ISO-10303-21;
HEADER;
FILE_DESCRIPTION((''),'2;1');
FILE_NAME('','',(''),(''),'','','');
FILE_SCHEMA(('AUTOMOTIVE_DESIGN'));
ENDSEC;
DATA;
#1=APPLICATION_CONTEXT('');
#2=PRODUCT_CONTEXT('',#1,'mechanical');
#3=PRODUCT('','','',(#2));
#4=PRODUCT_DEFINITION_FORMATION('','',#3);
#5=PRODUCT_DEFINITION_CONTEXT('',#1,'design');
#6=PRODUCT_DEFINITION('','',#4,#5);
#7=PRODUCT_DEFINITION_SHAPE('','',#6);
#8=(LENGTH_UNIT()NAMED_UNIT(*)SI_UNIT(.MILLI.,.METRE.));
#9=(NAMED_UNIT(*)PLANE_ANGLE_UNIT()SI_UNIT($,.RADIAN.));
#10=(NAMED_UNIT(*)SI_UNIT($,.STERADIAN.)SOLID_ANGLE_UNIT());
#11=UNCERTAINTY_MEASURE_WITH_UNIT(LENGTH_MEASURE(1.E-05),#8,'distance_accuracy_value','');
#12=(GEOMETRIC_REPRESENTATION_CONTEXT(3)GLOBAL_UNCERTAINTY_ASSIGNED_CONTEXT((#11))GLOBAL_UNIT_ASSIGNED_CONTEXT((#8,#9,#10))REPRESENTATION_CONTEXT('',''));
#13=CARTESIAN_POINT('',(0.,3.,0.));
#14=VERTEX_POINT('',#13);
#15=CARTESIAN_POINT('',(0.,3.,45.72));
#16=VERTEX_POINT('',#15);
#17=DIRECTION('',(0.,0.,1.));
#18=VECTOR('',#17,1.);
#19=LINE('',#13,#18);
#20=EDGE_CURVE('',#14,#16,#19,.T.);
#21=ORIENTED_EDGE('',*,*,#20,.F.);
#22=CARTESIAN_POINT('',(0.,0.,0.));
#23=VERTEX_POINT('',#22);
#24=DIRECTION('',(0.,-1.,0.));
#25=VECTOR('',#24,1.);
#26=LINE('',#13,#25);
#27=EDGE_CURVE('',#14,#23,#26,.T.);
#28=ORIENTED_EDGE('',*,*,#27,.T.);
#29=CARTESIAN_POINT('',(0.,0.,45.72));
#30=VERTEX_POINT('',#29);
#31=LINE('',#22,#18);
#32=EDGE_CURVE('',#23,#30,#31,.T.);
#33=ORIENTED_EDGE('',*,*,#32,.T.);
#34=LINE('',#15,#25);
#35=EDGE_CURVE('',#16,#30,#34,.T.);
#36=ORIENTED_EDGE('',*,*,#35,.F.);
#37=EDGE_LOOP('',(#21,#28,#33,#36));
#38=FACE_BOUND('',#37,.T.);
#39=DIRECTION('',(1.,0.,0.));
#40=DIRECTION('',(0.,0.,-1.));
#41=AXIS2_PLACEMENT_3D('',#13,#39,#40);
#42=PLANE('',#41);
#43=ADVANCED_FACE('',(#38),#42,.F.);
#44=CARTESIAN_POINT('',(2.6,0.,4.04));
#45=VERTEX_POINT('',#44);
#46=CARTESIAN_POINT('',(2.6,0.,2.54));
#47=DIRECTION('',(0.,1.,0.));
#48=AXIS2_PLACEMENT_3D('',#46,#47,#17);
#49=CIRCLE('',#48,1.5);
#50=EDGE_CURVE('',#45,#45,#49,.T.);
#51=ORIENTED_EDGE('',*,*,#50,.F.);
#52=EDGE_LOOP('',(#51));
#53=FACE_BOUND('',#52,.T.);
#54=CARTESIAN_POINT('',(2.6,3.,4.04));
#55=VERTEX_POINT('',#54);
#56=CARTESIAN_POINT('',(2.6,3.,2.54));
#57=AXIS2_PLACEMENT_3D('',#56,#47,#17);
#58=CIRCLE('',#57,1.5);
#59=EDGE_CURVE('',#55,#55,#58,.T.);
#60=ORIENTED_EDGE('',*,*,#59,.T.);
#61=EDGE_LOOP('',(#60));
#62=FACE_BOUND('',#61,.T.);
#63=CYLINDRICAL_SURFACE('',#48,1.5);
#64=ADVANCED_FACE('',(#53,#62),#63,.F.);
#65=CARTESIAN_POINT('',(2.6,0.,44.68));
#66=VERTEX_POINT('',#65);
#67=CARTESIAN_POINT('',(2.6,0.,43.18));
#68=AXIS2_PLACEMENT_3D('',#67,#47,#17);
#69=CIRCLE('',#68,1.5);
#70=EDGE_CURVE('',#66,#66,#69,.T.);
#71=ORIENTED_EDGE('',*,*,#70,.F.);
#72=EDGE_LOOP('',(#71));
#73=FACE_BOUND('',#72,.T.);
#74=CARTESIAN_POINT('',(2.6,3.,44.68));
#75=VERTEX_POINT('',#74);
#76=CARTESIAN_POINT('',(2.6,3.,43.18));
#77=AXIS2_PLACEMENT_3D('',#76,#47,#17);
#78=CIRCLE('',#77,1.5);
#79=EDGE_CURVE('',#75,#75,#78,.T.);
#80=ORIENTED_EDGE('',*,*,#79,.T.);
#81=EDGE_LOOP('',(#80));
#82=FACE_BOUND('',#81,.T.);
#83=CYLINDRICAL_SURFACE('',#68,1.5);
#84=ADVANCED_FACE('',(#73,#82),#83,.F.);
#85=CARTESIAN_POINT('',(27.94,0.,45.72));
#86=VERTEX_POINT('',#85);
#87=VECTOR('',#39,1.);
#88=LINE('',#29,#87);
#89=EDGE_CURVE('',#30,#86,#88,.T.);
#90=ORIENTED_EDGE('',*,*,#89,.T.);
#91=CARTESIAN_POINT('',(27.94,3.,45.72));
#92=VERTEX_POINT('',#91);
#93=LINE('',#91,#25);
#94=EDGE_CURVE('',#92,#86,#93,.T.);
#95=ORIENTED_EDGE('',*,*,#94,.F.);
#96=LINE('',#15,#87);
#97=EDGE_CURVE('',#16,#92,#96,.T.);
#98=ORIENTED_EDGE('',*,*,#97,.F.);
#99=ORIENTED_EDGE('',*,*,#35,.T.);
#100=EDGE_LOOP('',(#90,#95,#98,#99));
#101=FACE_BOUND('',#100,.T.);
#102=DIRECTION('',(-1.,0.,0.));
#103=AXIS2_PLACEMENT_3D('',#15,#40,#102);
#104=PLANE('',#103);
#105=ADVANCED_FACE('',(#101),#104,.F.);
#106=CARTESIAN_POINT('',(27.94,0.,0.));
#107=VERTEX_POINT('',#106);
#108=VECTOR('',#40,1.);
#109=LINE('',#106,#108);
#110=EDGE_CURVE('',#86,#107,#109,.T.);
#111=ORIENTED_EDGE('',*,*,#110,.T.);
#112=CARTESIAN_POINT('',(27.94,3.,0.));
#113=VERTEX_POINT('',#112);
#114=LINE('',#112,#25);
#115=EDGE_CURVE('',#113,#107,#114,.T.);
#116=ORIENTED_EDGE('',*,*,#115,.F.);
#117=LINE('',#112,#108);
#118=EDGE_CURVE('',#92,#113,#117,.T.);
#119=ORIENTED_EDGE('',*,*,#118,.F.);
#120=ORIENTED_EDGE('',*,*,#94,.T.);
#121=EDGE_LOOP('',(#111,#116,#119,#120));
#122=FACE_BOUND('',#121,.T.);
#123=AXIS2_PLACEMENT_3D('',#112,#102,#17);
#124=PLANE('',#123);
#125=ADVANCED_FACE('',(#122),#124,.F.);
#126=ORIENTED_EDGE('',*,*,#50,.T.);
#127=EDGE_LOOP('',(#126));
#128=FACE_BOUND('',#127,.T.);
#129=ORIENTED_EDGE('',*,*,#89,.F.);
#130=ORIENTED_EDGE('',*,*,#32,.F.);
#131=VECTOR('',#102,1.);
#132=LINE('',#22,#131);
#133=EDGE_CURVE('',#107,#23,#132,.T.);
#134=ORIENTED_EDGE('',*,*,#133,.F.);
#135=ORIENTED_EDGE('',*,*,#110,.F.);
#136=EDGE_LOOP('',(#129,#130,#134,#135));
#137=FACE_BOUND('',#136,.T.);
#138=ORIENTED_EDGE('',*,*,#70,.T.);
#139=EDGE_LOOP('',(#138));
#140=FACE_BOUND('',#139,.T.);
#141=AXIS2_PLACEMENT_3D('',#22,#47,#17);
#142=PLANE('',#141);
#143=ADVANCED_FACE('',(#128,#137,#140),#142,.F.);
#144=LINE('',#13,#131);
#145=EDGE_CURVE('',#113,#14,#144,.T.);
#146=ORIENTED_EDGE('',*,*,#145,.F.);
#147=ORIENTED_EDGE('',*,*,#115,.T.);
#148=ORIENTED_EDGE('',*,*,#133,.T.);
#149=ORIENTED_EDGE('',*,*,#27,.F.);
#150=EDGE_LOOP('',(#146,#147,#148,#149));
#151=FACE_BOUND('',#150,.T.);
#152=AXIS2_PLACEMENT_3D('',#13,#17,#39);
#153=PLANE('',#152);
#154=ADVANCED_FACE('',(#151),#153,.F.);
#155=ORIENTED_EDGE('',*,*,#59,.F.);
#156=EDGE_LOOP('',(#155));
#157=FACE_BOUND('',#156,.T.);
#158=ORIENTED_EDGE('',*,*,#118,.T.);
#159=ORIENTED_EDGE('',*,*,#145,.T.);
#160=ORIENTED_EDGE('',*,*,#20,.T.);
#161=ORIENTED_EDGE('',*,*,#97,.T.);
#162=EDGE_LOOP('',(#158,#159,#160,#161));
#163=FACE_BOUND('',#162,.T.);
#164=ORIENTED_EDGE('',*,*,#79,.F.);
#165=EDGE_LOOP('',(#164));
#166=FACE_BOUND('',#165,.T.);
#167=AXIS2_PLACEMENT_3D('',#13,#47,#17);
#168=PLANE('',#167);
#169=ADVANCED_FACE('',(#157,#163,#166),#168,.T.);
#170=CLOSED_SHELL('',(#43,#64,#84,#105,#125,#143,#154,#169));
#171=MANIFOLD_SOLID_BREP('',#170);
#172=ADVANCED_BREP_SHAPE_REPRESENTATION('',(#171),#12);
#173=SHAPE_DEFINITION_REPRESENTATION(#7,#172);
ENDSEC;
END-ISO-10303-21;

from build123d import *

# Parameters (mm, degrees)
CROQUIS2_W              = 27.94
CROQUIS2_H              = 45.72
SALIENTE_EXTRUIR2_DEPTH = 3
CROQUIS3_R              = 1.5
CORTAR_EXTRUIR1_DEPTH   = 54.665277415


with BuildPart() as part:
    # Croquis2 → Saliente-Extruir2 (new body)
    with BuildSketch(Plane(origin=(0, 0, 0), x_dir=(1, 0, 0), z_dir=(0, 1, 0))):
        with Locations((13.97, -22.86)):
            Rectangle(CROQUIS2_W, CROQUIS2_H)
    extrude(amount=SALIENTE_EXTRUIR2_DEPTH)

    # Croquis3 → Cortar-Extruir1 (cut, through all)
    with BuildSketch(Plane(origin=(0, 3, 0), x_dir=(1, 0, 0), z_dir=(0, 1, 0))):
        with Locations(Location((2.6, -2.54, 0), (0, 0, 270))):
            Circle(CROQUIS3_R)
        with Locations(Location((2.6, -43.18, 0), (0, 0, 270))):
            Circle(CROQUIS3_R)
    extrude(amount=-CORTAR_EXTRUIR1_DEPTH, mode=Mode.SUBTRACT)


solid = part.part
